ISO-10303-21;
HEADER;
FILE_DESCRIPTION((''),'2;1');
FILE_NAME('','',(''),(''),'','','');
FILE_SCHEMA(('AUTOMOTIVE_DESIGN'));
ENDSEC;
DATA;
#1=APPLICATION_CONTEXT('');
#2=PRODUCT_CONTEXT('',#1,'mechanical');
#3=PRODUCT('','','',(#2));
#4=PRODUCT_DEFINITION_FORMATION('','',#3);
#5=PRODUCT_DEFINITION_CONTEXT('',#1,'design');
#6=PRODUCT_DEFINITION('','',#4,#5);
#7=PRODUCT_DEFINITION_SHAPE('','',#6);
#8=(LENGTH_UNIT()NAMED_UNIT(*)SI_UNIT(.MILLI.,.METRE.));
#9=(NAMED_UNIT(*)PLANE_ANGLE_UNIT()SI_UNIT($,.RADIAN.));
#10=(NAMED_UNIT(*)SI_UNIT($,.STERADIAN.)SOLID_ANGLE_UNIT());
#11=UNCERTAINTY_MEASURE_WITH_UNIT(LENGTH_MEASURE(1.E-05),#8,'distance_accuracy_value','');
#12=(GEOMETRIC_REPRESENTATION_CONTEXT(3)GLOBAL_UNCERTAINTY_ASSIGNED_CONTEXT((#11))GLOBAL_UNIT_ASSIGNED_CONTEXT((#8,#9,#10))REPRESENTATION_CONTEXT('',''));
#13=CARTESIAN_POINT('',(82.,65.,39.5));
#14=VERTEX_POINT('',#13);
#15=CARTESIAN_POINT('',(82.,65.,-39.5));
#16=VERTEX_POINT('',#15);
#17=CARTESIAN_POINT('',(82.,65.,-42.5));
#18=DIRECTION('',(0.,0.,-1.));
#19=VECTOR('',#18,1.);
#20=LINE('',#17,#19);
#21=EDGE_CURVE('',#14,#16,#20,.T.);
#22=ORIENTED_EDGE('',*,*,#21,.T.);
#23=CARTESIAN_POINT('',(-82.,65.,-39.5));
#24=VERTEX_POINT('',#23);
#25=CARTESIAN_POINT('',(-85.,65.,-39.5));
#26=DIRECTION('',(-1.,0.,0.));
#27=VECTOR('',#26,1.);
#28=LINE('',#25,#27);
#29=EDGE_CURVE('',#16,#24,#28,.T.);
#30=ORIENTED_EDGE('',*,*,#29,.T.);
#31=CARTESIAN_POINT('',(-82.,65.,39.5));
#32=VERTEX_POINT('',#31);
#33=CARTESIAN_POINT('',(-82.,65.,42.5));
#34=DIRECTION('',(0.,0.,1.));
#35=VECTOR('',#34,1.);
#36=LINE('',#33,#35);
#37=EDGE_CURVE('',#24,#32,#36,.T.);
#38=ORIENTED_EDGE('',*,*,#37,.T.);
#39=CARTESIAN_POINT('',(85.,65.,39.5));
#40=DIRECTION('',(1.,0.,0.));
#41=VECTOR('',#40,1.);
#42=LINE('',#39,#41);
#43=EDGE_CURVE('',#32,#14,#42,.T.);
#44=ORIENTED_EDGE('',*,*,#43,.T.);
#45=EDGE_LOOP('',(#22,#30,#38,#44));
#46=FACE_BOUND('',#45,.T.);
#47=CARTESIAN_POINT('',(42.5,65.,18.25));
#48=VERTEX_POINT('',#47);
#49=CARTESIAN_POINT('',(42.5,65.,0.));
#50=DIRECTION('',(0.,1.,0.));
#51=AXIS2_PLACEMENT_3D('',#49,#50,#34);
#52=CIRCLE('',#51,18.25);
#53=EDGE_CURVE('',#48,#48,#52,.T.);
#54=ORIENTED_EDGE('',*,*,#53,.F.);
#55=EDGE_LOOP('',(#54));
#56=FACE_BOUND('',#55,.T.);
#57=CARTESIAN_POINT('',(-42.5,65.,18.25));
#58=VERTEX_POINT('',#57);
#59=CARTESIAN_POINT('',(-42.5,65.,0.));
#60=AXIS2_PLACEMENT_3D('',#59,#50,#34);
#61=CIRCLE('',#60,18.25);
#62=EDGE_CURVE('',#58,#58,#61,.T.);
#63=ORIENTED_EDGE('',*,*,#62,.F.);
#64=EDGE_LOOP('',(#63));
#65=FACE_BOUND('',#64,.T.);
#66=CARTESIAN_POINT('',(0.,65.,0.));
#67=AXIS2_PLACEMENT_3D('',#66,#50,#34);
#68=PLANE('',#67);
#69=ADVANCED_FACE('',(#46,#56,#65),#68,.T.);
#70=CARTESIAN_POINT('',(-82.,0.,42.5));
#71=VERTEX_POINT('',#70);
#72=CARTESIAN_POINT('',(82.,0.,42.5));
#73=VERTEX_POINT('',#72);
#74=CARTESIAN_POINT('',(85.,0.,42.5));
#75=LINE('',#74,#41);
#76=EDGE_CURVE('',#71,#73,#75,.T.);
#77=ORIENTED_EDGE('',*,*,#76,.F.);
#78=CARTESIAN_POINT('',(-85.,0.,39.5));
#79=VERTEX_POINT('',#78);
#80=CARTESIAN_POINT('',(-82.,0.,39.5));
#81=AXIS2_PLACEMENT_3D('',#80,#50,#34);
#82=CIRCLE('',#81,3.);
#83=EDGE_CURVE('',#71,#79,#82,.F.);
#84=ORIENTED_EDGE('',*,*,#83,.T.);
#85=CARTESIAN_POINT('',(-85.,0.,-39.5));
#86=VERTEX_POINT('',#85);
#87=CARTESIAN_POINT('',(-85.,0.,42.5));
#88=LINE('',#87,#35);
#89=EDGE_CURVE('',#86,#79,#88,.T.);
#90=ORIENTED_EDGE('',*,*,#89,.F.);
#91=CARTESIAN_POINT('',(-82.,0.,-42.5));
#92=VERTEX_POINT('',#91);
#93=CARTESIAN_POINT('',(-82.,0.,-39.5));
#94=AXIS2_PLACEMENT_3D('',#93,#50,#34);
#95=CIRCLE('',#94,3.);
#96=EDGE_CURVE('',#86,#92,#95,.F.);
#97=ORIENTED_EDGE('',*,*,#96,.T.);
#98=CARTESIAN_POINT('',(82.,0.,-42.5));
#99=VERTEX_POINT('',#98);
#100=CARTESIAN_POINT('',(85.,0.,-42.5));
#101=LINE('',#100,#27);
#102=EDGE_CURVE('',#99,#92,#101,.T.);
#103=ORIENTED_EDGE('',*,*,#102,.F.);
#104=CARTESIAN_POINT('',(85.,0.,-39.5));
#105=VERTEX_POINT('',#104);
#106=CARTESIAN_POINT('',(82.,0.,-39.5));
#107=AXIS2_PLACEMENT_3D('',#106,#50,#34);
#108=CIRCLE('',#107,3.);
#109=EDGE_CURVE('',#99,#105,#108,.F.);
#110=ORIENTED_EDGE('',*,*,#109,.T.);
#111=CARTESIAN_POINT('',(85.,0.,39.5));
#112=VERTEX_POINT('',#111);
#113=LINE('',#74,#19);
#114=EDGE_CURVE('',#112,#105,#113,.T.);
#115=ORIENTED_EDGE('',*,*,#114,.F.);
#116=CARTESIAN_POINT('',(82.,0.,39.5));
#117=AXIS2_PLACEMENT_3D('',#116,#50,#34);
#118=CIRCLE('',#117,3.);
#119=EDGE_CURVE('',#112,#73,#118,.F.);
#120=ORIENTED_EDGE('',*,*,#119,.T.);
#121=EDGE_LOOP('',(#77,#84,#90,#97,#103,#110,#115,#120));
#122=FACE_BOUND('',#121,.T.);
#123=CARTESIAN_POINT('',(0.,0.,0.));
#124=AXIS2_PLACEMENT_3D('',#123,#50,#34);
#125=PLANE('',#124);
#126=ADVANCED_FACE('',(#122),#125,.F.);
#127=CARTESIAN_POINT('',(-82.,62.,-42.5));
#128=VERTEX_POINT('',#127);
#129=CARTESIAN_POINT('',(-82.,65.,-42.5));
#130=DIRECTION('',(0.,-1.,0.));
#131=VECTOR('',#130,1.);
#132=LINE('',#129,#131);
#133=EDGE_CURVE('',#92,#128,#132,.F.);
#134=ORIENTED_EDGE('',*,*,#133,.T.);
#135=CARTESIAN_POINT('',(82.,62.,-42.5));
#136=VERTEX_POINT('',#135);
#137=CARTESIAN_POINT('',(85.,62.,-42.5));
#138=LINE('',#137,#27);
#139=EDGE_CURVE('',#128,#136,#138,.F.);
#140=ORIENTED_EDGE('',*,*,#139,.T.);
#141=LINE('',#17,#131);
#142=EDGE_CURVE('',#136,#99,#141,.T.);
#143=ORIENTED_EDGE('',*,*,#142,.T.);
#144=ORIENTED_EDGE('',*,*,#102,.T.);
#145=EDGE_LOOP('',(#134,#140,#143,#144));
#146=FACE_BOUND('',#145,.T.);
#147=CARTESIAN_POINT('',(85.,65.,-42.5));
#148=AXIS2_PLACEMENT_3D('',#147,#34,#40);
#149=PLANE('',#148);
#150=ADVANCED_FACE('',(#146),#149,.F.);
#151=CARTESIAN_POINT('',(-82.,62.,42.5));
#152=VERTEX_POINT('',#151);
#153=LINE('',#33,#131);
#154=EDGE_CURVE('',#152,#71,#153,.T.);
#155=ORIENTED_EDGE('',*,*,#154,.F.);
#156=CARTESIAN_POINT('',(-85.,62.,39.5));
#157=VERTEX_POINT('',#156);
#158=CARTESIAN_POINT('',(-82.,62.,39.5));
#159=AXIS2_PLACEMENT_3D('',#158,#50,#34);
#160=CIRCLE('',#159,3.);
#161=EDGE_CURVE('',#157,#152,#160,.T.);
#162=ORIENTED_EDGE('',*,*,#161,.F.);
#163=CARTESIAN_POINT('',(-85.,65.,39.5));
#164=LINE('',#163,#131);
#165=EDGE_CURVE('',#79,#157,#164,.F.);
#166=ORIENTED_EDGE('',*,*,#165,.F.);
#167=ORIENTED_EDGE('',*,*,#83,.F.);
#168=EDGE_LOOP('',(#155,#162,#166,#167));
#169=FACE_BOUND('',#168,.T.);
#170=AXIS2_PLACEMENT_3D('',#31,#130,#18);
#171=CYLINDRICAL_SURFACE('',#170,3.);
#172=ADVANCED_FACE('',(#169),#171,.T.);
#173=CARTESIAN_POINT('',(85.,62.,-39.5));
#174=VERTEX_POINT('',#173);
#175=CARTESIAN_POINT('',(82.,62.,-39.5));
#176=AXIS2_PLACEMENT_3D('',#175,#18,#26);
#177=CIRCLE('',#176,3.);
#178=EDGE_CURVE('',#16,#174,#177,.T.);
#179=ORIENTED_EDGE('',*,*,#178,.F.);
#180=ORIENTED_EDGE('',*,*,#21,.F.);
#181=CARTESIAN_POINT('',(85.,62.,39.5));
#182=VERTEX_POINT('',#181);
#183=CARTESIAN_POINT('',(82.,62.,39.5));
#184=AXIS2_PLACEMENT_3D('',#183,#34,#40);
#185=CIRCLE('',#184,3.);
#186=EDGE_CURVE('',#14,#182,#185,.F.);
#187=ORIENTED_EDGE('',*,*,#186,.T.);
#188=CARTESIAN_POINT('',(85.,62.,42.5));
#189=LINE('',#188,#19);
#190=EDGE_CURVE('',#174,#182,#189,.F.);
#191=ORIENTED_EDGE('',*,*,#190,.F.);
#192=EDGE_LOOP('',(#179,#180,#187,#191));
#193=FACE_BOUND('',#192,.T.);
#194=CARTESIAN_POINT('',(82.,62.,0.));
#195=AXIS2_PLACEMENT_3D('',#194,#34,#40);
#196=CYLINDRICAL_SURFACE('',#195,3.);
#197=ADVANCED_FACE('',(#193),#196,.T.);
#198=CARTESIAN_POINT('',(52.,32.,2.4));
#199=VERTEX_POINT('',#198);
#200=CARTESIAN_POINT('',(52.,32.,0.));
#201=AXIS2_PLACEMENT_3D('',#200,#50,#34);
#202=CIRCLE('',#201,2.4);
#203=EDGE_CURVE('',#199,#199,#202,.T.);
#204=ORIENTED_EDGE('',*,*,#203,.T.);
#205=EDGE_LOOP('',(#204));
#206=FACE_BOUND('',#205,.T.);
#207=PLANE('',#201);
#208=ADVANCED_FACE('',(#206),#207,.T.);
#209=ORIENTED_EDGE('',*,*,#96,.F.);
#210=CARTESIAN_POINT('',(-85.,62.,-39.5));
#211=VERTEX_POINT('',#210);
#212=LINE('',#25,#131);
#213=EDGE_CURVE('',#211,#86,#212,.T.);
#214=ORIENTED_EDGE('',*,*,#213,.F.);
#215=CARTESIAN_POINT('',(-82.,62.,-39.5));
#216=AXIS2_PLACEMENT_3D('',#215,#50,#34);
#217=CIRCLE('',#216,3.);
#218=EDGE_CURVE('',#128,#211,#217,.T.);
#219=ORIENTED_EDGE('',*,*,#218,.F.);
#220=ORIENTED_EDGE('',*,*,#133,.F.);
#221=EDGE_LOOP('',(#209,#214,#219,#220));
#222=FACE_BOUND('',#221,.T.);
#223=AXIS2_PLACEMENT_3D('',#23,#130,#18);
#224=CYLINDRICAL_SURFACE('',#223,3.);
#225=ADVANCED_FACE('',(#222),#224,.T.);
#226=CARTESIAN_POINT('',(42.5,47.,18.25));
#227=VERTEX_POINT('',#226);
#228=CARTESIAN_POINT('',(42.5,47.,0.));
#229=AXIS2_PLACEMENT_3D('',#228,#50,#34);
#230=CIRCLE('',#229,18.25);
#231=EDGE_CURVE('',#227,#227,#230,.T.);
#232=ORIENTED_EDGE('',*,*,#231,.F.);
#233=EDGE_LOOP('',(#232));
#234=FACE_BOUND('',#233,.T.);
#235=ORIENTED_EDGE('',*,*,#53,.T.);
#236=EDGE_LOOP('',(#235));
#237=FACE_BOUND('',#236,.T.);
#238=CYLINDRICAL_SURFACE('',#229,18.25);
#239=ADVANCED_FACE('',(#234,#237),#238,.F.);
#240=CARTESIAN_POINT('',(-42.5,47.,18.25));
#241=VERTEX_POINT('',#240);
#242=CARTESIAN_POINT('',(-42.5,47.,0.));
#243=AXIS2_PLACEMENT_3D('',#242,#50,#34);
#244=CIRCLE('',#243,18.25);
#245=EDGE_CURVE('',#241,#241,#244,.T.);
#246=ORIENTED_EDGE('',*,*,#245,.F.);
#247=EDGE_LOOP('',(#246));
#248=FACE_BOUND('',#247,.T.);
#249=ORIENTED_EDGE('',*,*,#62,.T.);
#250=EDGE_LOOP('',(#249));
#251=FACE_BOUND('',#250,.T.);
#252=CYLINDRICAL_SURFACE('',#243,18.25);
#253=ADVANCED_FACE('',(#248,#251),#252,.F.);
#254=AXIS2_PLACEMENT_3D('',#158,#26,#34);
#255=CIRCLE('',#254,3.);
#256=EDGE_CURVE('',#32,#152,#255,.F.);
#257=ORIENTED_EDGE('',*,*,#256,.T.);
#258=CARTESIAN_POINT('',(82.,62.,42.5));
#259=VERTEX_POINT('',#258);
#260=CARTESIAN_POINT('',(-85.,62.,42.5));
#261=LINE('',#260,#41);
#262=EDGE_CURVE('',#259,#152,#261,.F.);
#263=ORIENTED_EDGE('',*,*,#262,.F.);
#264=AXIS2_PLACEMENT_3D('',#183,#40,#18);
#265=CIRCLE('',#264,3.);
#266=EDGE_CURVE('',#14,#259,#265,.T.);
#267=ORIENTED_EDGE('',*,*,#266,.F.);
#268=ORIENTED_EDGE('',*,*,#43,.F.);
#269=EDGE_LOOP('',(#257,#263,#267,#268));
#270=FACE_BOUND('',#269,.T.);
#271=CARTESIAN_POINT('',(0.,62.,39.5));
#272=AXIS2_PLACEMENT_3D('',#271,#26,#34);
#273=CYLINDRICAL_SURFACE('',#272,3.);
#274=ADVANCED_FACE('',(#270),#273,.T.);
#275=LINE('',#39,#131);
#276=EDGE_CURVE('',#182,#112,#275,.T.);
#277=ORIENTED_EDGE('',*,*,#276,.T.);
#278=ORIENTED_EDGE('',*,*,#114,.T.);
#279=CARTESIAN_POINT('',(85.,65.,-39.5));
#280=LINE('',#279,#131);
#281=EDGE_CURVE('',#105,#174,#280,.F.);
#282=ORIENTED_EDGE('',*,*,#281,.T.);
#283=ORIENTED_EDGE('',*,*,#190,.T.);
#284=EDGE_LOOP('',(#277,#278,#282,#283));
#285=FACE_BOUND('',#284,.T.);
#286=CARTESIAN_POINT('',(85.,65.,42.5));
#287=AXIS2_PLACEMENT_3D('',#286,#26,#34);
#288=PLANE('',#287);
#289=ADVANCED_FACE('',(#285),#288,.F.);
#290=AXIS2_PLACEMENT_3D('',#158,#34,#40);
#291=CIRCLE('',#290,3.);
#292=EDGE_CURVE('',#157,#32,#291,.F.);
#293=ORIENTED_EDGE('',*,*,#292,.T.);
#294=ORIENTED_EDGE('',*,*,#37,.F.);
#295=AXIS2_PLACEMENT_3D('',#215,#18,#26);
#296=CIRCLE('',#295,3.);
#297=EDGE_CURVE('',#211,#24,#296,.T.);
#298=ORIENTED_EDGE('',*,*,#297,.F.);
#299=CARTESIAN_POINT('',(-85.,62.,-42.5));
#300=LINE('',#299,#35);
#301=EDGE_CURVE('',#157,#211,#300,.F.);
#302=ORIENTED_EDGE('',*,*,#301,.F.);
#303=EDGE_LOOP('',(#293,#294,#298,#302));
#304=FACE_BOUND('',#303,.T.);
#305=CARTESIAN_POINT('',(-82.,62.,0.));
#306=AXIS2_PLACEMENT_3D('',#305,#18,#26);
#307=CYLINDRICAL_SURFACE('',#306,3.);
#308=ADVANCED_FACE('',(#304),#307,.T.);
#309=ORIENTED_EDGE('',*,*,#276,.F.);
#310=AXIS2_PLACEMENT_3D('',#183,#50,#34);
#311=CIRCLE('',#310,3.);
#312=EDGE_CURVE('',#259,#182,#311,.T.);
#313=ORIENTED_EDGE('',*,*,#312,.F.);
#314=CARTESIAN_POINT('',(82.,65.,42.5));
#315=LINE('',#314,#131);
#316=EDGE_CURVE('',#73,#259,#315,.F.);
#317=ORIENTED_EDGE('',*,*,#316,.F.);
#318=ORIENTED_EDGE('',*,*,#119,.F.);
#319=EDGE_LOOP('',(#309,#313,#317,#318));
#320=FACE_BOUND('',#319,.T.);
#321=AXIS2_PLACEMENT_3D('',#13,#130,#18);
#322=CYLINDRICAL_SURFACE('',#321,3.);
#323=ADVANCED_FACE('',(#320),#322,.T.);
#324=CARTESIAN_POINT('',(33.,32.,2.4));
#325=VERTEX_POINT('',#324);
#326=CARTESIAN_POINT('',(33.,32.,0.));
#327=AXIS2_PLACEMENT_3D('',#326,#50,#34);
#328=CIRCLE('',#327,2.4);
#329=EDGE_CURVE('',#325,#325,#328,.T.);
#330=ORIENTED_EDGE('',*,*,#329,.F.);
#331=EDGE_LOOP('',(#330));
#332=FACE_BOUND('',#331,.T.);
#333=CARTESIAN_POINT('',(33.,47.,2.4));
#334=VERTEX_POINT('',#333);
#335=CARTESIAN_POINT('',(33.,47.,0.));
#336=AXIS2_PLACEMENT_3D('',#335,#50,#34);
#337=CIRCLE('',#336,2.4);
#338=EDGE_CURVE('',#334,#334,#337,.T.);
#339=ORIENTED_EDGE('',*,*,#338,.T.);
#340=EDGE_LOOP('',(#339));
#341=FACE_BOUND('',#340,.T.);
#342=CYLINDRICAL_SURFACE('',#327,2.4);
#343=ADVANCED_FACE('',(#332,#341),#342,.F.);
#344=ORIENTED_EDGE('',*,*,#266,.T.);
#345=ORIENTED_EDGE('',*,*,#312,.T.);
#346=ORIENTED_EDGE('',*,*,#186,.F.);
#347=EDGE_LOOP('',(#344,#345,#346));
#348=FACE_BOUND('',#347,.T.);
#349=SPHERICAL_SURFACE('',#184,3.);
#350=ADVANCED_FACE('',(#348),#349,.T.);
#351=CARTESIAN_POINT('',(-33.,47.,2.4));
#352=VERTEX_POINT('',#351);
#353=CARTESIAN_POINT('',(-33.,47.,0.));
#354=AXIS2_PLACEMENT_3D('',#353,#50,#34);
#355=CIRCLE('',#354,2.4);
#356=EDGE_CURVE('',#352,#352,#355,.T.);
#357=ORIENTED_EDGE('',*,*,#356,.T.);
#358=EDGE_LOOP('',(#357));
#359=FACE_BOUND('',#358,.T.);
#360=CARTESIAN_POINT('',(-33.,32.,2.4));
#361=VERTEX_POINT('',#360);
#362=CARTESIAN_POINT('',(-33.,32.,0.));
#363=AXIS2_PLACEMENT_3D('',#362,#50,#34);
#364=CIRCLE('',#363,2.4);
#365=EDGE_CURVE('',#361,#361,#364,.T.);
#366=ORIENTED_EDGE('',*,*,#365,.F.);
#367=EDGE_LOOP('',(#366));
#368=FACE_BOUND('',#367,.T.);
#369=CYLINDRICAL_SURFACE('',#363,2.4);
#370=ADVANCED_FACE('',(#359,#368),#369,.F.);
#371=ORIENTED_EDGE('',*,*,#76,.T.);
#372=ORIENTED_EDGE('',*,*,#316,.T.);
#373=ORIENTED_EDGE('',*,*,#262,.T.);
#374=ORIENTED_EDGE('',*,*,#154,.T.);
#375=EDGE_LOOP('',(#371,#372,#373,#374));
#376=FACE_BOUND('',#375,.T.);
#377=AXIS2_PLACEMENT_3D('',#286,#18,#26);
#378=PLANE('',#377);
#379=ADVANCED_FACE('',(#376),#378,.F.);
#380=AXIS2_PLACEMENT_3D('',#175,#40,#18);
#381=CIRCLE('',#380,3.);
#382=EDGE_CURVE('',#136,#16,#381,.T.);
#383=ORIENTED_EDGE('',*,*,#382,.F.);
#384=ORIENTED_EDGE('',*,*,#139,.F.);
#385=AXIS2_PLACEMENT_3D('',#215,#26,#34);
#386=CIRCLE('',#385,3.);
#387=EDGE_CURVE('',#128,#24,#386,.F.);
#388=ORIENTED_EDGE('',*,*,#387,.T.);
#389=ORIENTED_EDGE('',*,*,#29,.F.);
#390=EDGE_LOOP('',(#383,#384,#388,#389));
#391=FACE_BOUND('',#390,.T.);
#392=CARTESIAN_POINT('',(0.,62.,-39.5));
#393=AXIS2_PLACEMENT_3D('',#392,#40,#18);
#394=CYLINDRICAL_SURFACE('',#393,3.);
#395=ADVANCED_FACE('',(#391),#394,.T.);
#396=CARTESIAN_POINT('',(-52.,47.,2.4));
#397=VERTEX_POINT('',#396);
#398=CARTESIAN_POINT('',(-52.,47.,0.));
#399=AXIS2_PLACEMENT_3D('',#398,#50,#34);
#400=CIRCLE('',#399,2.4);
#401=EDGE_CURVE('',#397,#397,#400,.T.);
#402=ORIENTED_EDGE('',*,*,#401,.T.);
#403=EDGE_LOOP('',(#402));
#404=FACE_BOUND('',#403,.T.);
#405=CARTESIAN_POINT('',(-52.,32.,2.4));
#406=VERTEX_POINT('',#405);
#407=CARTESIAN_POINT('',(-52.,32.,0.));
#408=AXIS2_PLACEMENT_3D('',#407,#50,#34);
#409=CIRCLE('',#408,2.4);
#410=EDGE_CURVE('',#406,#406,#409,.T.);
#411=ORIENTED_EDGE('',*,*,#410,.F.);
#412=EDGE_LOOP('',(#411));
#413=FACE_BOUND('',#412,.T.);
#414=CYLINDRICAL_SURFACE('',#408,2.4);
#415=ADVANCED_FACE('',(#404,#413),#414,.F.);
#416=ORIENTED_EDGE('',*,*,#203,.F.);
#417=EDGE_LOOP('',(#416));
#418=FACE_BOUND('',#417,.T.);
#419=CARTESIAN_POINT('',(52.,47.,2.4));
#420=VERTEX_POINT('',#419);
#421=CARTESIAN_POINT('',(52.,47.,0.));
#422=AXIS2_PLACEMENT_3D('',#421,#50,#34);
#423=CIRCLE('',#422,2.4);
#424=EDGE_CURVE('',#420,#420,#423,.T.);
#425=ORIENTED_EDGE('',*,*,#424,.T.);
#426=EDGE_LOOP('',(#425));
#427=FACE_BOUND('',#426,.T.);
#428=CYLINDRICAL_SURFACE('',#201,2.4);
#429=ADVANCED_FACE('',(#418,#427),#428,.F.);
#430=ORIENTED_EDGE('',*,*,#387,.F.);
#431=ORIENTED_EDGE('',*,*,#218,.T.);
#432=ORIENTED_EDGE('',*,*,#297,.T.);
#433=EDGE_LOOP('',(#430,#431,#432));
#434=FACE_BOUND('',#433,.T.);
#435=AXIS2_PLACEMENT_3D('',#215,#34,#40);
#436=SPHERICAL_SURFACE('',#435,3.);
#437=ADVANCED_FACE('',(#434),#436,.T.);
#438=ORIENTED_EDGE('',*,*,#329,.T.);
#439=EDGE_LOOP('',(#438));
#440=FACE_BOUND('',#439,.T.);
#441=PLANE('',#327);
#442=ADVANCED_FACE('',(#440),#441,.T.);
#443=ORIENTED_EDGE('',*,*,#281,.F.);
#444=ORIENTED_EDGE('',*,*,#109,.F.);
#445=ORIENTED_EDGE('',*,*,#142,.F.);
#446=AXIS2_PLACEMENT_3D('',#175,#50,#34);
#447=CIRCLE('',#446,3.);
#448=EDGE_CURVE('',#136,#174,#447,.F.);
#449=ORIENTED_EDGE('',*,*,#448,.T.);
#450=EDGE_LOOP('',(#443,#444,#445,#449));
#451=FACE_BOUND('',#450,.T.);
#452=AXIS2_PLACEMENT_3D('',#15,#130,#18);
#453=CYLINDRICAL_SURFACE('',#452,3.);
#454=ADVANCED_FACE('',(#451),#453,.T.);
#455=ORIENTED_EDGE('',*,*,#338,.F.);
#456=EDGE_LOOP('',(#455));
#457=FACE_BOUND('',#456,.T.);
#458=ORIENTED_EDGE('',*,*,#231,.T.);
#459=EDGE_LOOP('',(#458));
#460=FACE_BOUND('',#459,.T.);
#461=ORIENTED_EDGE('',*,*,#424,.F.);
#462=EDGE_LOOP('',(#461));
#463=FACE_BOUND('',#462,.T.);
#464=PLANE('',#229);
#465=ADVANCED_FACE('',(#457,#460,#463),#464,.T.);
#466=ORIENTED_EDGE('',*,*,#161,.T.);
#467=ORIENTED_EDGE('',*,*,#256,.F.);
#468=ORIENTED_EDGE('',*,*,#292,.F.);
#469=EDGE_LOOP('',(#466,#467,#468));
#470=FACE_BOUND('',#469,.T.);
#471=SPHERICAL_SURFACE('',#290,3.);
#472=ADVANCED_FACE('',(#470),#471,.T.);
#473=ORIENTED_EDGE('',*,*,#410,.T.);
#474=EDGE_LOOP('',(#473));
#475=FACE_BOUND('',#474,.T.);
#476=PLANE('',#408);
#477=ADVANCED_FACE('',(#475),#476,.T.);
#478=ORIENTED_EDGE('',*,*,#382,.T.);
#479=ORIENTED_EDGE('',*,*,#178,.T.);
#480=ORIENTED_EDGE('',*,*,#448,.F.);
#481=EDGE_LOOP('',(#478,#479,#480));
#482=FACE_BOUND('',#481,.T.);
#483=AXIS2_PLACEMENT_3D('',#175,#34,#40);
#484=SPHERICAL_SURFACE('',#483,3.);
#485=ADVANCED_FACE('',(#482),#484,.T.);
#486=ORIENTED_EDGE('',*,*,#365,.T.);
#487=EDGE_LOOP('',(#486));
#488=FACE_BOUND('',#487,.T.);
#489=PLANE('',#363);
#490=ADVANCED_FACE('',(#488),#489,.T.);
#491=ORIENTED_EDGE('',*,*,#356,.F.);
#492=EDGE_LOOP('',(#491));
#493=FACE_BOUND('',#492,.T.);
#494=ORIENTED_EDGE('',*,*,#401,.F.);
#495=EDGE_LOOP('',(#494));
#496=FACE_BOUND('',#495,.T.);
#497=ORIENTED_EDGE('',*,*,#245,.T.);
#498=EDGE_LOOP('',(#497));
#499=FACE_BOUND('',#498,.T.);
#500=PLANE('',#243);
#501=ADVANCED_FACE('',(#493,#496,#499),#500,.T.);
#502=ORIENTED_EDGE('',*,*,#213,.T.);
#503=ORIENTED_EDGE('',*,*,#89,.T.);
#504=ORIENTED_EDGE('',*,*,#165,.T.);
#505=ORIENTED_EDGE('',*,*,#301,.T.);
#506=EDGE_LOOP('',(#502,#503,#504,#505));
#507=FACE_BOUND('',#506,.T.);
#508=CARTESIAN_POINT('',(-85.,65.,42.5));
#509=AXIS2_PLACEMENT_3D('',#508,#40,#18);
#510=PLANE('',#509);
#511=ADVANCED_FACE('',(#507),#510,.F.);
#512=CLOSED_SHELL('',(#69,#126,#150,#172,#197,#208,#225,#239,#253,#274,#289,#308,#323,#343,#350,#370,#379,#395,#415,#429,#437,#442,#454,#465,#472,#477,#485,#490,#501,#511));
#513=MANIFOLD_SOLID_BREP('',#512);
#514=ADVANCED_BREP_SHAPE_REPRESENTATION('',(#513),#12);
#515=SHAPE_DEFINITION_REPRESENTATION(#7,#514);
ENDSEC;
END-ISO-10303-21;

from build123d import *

# Parameters (mm, degrees)
SKETCH_1_W          = 170
SKETCH_1_H          = 85
EXTRUDE_1_DEPTH     = 65
SKETCH_2_R          = 18.25
CUT_EXTRUDE_1_DEPTH = 18
SKETCH_3_R          = 2.4
CUT_EXTRUDE_2_DEPTH = 15
FILLET_1_R          = 3


with BuildPart() as part:
    # Эскиз1 → Бобышка-Вытянуть1 (new body)
    with BuildSketch(Plane(origin=(0, 0, 0), x_dir=(1, 0, 0), z_dir=(0, 1, 0))):
        Rectangle(SKETCH_1_W, SKETCH_1_H)
    extrude(amount=EXTRUDE_1_DEPTH)

    # Эскиз2 → Вырез-Вытянуть1 (cut)
    with BuildSketch(Plane(origin=(0, 65, 0), x_dir=(1, 0, 0), z_dir=(0, 1, 0))):
        with Locations((-42.5, 0)):
            Circle(SKETCH_2_R)
        with Locations((42.5, 0)):
            Circle(SKETCH_2_R)
    extrude(amount=-CUT_EXTRUDE_1_DEPTH, mode=Mode.SUBTRACT)

    # Эскиз3 → Вырез-Вытянуть2 (cut)
    with BuildSketch(Plane(origin=(0, 47, 0), x_dir=(1, 0, 0), z_dir=(0, 1, 0))):
        with Locations((-52, 0)):
            Circle(SKETCH_3_R)
        with Locations((-33, 0)):
            Circle(SKETCH_3_R)
        with Locations((33, 0)):
            Circle(SKETCH_3_R)
        with Locations((52, 0)):
            Circle(SKETCH_3_R)
    extrude(amount=-CUT_EXTRUDE_2_DEPTH, mode=Mode.SUBTRACT)

    # Скругление1
    fillet_1_edges = [part.edges().sort_by_distance(p)[0] for p in [
        (85, 65, 0),
        (0, 65, -42.5),
        (-85, 65, 0),
        (0, 65, 42.5),
        (-85, 32.5, -42.5),
        (85, 32.5, -42.5),
        (85, 32.5, 42.5),
        (-85, 32.5, 42.5),
    ]]
    fillet(fillet_1_edges, radius=FILLET_1_R)


solid = part.part
